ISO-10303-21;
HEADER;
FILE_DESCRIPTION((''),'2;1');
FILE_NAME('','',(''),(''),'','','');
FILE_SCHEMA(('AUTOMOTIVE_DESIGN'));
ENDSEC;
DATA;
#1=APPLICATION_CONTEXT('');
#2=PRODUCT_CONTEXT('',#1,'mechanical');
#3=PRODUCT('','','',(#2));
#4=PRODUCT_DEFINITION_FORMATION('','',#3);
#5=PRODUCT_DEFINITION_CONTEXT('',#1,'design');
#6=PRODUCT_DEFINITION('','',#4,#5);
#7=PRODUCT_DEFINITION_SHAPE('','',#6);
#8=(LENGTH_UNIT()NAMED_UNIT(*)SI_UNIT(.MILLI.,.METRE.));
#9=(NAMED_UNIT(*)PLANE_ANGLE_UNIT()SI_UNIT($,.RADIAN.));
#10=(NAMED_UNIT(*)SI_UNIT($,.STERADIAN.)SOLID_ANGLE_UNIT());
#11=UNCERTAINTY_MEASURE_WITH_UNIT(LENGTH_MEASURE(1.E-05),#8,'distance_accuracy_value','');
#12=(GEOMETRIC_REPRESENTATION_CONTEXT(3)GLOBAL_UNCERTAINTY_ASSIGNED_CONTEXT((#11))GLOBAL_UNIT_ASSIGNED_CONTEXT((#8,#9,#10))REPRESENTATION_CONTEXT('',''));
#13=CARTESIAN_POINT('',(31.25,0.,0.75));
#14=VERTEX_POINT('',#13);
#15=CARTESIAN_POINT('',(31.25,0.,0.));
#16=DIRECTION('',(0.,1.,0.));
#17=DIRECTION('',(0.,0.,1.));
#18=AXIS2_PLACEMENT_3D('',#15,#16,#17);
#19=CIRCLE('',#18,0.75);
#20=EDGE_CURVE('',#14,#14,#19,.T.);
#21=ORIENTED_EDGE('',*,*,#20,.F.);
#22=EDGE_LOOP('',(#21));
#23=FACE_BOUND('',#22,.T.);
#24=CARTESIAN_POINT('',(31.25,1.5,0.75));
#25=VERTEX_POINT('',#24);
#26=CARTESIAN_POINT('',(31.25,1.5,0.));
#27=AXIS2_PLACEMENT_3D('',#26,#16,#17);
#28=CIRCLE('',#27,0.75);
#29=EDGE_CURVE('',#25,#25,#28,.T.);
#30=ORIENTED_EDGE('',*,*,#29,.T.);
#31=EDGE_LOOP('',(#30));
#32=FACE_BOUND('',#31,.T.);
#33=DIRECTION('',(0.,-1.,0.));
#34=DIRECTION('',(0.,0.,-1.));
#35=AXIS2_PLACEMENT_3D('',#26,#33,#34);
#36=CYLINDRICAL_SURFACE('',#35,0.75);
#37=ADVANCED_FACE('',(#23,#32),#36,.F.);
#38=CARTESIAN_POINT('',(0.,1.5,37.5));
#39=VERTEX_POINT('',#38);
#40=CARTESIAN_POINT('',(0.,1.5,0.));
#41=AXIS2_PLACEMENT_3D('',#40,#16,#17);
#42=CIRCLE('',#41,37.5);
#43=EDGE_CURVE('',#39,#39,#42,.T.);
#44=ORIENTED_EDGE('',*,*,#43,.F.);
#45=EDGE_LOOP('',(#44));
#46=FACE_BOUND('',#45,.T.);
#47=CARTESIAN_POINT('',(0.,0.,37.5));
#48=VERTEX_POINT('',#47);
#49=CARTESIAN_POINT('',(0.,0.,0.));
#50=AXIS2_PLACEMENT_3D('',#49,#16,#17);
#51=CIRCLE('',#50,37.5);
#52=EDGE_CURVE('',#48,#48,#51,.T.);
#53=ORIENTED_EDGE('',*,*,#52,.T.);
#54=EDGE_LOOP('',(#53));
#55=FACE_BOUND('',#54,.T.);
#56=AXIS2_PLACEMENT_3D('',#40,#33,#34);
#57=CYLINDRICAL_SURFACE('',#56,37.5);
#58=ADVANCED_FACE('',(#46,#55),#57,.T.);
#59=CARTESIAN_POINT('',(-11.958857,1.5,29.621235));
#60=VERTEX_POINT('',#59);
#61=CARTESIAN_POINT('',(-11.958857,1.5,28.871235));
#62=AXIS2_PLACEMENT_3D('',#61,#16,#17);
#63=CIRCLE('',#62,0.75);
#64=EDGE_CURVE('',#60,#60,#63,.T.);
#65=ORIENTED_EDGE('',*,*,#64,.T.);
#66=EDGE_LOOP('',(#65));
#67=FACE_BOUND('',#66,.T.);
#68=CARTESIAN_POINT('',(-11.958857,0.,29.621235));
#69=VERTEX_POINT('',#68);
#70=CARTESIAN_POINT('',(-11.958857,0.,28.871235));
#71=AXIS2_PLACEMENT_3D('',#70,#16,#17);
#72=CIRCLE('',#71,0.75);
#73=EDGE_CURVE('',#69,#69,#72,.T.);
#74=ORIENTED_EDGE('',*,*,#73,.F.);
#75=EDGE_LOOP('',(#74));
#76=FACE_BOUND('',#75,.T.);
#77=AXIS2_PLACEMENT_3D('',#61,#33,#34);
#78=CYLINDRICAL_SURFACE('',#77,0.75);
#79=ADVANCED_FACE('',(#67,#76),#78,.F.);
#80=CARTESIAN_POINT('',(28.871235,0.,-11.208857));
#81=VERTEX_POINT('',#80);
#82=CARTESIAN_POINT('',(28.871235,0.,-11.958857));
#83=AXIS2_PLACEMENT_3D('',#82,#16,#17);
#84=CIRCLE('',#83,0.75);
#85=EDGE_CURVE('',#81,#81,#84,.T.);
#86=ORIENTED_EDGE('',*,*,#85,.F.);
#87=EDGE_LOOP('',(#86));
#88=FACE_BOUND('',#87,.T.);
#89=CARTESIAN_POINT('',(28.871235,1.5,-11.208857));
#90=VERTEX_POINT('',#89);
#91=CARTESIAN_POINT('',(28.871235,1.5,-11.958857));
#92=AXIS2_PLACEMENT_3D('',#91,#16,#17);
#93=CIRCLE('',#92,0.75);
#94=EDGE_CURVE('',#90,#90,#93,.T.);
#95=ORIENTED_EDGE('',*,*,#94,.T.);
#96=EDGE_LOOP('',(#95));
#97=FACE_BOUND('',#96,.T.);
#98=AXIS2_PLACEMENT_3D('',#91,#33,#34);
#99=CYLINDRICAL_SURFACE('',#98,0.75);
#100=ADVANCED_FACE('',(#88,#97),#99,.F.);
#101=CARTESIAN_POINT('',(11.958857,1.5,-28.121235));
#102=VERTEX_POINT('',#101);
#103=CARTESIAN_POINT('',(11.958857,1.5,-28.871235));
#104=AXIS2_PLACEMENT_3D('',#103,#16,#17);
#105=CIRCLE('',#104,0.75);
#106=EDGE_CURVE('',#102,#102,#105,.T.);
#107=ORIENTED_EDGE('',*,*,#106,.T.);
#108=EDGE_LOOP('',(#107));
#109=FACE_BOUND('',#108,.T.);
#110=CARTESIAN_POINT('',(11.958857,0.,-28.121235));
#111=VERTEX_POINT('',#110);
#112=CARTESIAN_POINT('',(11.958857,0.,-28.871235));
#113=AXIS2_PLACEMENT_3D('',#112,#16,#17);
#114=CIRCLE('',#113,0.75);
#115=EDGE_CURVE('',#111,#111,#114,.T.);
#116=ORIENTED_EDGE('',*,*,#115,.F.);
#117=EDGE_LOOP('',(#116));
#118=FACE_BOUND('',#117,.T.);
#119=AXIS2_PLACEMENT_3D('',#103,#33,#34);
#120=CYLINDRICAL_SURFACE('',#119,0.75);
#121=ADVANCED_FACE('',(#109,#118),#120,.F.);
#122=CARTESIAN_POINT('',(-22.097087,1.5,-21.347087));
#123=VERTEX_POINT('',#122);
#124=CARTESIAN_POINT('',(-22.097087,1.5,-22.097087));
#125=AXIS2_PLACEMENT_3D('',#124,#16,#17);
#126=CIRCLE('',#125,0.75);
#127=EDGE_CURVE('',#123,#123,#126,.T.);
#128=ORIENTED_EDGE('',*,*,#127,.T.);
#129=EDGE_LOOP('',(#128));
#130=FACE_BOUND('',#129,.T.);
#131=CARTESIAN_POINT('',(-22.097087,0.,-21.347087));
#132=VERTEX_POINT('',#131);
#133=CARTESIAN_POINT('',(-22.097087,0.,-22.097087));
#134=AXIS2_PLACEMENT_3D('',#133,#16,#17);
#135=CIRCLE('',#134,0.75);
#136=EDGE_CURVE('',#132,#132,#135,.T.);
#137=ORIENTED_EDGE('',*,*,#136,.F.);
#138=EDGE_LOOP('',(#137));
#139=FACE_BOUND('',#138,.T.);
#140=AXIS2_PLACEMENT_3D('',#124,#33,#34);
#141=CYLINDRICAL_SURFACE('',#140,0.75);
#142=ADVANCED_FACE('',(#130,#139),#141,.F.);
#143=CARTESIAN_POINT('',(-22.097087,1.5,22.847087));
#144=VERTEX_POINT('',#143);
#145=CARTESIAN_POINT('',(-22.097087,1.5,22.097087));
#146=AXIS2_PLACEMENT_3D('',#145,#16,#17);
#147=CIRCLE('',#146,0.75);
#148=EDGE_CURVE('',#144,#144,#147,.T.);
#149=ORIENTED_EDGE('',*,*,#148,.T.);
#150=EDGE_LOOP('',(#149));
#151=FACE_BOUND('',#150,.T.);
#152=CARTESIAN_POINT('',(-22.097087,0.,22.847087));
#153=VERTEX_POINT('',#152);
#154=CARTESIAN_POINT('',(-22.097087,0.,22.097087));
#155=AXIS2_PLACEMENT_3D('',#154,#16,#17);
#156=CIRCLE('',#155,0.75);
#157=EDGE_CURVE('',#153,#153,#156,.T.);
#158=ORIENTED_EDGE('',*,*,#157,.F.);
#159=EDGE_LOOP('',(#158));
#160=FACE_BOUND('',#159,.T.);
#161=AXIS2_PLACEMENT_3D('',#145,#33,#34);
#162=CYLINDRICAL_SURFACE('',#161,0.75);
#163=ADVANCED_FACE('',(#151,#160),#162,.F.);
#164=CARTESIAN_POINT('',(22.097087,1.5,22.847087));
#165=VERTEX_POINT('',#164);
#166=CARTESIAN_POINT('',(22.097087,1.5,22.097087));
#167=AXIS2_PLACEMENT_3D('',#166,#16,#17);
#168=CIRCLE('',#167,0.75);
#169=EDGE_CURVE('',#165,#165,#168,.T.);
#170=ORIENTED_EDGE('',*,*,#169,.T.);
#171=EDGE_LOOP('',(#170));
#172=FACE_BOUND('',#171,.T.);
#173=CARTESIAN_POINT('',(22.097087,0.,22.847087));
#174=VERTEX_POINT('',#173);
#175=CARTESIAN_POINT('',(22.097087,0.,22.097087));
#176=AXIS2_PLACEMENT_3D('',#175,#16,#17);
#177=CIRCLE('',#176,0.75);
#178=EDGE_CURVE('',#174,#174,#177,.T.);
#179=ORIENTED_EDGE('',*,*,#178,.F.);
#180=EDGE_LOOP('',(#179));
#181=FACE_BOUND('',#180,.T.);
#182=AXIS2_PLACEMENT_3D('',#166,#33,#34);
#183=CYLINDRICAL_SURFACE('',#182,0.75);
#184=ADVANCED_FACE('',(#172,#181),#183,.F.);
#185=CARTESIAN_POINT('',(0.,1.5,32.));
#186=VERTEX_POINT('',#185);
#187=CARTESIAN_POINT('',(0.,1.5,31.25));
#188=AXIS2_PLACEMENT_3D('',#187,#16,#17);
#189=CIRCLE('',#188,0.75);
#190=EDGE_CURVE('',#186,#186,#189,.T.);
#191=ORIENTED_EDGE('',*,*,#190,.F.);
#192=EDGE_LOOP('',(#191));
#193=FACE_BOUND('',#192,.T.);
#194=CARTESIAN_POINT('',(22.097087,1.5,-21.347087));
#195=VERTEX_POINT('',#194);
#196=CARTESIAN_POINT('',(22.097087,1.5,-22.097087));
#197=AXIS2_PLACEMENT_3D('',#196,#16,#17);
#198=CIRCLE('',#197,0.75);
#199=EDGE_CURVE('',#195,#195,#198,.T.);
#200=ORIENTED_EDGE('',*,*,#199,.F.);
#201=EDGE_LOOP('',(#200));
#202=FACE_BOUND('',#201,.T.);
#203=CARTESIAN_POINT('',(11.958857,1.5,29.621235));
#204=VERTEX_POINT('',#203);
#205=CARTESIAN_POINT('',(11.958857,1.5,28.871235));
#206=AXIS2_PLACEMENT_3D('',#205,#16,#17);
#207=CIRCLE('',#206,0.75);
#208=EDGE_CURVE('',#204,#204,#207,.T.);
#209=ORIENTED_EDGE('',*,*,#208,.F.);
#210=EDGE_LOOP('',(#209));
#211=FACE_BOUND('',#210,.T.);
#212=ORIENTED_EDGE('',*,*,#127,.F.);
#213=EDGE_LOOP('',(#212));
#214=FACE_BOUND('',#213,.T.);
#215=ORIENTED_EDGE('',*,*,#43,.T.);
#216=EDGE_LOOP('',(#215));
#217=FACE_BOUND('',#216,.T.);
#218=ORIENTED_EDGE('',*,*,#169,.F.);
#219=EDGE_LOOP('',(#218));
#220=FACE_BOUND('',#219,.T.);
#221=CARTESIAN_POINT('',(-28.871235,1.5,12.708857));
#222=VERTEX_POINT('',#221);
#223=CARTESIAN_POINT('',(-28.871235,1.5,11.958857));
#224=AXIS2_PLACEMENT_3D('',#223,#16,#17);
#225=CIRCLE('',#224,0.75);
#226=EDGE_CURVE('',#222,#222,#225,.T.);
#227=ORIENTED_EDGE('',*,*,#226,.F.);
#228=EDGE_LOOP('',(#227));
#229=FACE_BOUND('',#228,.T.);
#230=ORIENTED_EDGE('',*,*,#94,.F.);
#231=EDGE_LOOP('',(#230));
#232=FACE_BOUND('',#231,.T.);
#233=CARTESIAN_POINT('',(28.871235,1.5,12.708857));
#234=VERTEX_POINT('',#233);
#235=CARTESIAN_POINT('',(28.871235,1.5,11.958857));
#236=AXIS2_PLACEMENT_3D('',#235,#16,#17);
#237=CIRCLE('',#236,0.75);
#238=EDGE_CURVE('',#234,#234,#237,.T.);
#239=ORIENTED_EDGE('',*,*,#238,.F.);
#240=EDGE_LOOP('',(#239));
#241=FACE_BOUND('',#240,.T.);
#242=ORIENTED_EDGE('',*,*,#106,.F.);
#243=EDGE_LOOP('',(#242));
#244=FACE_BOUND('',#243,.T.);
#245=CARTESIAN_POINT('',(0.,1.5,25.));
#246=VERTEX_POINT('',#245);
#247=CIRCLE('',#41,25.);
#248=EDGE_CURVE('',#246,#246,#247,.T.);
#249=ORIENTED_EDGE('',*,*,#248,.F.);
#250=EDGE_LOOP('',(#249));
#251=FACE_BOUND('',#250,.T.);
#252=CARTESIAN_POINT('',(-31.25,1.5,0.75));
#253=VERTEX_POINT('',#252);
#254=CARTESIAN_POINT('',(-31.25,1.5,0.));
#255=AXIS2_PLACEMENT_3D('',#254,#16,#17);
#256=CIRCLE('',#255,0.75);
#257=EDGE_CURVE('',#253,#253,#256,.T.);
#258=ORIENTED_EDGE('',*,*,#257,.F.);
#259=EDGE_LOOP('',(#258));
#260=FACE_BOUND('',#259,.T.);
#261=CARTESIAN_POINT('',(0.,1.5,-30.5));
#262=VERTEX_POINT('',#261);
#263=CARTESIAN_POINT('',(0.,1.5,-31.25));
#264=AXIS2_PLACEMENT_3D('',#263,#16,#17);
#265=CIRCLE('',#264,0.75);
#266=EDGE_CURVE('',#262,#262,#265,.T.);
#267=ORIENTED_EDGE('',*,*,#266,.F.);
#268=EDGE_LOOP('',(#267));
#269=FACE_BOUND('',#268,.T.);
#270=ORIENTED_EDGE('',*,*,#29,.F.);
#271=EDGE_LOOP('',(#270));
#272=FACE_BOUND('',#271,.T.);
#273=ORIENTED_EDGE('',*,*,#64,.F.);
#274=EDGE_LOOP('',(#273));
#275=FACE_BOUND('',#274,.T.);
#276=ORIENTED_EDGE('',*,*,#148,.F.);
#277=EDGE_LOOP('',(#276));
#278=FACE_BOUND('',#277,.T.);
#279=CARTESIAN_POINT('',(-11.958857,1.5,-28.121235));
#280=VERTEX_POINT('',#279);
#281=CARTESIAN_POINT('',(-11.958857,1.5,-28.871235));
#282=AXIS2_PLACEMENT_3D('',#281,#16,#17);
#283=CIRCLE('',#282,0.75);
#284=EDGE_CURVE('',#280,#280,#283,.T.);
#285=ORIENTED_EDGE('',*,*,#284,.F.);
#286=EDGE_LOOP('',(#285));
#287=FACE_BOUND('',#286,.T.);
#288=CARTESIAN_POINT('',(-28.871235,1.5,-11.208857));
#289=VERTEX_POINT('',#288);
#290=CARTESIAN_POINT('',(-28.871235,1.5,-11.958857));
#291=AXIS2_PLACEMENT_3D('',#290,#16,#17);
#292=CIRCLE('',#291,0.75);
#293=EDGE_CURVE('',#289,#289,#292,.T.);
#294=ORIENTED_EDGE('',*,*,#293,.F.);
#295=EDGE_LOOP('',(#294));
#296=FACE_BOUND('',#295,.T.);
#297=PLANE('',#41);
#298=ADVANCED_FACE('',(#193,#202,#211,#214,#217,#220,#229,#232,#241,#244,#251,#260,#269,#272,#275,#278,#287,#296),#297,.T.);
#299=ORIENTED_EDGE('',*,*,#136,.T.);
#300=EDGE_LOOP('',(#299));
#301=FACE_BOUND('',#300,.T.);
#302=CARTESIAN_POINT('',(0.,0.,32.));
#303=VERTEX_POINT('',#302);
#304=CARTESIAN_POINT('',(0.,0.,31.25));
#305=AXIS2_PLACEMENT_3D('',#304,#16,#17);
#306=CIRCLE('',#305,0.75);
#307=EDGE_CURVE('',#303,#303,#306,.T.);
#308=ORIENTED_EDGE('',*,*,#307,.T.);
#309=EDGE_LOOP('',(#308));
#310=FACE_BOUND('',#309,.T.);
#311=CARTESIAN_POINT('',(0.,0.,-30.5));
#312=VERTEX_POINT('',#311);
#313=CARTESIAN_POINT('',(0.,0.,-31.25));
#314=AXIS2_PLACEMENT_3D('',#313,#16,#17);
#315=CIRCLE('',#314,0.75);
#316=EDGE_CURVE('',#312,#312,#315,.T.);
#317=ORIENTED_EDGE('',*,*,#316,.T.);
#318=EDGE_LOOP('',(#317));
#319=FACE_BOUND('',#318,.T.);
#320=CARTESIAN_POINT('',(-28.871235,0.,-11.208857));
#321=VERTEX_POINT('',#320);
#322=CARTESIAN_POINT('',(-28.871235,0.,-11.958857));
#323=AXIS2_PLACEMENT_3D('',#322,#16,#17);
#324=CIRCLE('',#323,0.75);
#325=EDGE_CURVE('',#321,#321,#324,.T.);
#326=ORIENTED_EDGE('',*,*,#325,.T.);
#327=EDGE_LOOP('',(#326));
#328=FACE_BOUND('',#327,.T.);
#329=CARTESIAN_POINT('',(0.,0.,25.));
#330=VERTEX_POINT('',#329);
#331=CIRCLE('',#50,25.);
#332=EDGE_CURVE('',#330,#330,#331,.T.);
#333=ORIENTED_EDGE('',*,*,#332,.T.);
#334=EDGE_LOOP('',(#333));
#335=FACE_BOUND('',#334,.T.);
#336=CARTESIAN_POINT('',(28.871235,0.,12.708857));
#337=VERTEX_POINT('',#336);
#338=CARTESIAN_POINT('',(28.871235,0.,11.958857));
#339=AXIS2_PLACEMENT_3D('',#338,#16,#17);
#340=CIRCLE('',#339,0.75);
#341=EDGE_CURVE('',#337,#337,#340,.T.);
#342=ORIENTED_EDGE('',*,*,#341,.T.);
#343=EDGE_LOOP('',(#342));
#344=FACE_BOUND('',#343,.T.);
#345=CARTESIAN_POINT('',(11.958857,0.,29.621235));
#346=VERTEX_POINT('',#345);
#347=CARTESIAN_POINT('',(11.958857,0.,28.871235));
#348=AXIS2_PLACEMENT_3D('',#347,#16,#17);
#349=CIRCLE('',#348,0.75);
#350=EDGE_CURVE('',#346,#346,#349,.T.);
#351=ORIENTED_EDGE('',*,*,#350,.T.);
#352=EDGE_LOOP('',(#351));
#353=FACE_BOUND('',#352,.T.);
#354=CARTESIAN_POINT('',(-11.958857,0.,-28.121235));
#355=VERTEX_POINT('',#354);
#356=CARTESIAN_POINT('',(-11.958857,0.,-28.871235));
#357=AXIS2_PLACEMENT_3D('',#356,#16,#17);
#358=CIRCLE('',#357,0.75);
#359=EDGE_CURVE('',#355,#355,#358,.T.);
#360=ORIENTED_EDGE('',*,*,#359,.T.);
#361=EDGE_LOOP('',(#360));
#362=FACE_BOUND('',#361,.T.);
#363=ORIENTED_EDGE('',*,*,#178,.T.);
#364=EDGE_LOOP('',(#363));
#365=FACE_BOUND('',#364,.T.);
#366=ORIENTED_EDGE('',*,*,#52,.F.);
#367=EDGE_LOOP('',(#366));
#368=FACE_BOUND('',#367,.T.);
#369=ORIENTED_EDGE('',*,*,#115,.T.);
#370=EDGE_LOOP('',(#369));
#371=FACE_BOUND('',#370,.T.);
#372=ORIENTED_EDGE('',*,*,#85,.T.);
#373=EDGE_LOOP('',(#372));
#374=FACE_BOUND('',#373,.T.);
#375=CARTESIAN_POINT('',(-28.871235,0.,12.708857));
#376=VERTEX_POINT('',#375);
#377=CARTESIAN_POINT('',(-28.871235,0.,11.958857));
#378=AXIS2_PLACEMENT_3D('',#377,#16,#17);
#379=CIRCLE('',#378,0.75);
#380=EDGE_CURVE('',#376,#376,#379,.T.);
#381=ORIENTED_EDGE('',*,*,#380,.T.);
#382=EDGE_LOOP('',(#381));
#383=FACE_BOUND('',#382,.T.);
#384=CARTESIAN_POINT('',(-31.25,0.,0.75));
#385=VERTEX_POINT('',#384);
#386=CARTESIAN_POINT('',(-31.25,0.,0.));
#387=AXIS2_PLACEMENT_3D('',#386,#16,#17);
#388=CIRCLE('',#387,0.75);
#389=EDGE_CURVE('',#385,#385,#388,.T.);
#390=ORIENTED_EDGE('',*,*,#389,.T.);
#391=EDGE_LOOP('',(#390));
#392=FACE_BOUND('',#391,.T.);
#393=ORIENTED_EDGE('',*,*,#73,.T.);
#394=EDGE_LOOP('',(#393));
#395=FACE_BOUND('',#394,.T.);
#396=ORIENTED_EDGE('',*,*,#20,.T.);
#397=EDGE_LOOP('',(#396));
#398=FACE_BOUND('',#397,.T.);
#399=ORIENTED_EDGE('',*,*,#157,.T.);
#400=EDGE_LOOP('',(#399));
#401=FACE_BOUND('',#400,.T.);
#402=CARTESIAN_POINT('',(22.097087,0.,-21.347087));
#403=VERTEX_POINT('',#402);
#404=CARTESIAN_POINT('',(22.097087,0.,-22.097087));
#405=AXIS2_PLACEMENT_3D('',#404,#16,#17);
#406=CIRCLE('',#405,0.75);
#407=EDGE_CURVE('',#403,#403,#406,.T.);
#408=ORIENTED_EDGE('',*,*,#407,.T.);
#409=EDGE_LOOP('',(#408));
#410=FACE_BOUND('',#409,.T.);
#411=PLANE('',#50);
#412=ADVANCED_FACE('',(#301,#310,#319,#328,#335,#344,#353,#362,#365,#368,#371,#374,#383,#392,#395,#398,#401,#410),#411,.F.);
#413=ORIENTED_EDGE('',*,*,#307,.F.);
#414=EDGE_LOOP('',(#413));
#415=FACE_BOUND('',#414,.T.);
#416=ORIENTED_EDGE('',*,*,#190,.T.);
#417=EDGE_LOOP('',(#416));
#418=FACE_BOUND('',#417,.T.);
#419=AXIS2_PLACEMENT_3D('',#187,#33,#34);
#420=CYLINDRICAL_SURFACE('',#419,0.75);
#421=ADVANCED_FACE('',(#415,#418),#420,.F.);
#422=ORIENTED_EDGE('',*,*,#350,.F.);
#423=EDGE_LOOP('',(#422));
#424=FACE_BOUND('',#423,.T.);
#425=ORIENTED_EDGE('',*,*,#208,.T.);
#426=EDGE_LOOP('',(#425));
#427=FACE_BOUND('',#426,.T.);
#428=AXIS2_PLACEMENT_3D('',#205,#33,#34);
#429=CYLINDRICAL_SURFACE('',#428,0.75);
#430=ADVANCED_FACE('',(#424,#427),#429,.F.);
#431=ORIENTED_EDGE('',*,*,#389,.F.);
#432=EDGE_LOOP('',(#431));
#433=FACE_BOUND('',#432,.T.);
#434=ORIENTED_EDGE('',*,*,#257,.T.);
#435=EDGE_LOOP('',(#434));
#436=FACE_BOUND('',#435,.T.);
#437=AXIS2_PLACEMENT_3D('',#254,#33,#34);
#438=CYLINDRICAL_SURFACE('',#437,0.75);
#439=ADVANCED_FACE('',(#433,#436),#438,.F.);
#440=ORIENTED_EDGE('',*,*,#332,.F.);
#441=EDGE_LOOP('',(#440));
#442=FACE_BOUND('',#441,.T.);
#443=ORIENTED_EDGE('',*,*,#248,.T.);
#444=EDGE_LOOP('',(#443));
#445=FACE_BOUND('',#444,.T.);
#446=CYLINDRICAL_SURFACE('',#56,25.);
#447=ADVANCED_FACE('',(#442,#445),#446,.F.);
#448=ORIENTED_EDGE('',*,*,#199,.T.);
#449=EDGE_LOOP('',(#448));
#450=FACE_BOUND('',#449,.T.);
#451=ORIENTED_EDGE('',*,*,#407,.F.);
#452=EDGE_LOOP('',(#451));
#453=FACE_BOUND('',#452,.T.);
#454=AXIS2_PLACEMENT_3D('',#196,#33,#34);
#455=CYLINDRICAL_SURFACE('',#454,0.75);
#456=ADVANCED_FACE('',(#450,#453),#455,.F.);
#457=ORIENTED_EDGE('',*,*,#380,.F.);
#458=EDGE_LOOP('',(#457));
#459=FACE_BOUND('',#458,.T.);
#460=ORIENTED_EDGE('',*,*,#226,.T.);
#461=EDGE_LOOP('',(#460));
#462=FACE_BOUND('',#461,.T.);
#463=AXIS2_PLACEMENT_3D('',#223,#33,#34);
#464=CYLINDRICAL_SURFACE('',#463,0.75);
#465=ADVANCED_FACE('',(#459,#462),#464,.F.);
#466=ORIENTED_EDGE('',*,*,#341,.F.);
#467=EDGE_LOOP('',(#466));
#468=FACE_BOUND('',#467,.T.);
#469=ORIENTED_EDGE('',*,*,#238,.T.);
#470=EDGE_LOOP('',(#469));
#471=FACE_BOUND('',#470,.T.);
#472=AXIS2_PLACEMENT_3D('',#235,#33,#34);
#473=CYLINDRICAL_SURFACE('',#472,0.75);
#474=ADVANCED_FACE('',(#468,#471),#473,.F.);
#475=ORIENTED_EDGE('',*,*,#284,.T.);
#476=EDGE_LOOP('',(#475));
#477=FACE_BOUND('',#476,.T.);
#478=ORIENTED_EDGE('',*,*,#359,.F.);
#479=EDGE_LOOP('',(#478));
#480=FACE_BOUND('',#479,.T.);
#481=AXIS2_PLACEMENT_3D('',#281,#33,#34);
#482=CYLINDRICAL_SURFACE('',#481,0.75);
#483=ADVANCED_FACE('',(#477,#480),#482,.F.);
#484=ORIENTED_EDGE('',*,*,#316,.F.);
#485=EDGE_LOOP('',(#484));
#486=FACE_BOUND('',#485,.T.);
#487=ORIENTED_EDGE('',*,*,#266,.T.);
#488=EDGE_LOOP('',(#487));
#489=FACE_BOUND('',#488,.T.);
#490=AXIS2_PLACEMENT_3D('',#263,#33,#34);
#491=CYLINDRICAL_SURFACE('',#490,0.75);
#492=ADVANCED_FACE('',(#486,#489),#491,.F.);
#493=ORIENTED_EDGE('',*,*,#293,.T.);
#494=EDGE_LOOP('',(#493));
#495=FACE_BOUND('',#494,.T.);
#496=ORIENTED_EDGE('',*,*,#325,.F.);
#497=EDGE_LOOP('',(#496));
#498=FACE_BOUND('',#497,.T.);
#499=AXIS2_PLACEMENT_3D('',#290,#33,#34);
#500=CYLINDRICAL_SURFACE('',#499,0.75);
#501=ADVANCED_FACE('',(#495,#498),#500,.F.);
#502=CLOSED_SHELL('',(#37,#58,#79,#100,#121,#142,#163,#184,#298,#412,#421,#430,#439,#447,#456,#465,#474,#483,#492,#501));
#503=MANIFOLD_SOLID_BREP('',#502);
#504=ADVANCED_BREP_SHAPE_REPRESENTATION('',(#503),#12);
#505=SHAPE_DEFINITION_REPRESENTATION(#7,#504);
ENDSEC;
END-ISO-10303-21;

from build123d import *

# Parameters (mm, degrees)
SKETCH2_R           = 37.5
SKETCH2_R_2         = 25
SKETCH2_R_3         = 0.75
BOSS_EXTRUDE2_DEPTH = 1.5


with BuildPart() as part:
    # Sketch2 → Boss-Extrude2 (new body)
    with BuildSketch(Plane(origin=(0, 0, 0), x_dir=(1, 0, 0), z_dir=(0, 1, 0))):
        with Locations(Location((0, 0, 0), (0, 0, 270))):
            Circle(SKETCH2_R)
        with Locations(Location((0, 0, 0), (0, 0, 270))):
            Circle(SKETCH2_R_2, mode=Mode.SUBTRACT)
        with Locations(Location((0, 31.25, 0), (0, 0, 270))):
            Circle(SKETCH2_R_3, mode=Mode.SUBTRACT)
        with Locations(Location((11.958857261, 28.871235391, 0), (0, 0, 270))):
            Circle(SKETCH2_R_3, mode=Mode.SUBTRACT)
        with Locations(Location((22.097086912, 22.097086912, 0), (0, 0, 270))):
            Circle(SKETCH2_R_3, mode=Mode.SUBTRACT)
        with Locations(Location((28.871235391, 11.958857261, 0), (0, 0, 270))):
            Circle(SKETCH2_R_3, mode=Mode.SUBTRACT)
        with Locations(Location((31.25, 0, 0), (0, 0, 270))):
            Circle(SKETCH2_R_3, mode=Mode.SUBTRACT)
        with Locations(Location((28.871235391, -11.958857261, 0), (0, 0, 270))):
            Circle(SKETCH2_R_3, mode=Mode.SUBTRACT)
        with Locations(Location((22.097086912, -22.097086912, 0), (0, 0, 270))):
            Circle(SKETCH2_R_3, mode=Mode.SUBTRACT)
        with Locations(Location((11.958857261, -28.871235391, 0), (0, 0, 270))):
            Circle(SKETCH2_R_3, mode=Mode.SUBTRACT)
        with Locations(Location((0, -31.25, 0), (0, 0, 270))):
            Circle(SKETCH2_R_3, mode=Mode.SUBTRACT)
        with Locations(Location((-11.958857261, -28.871235391, 0), (0, 0, 270))):
            Circle(SKETCH2_R_3, mode=Mode.SUBTRACT)
        with Locations(Location((-22.097086912, -22.097086912, 0), (0, 0, 270))):
            Circle(SKETCH2_R_3, mode=Mode.SUBTRACT)
        with Locations(Location((-28.871235391, -11.958857261, 0), (0, 0, 270))):
            Circle(SKETCH2_R_3, mode=Mode.SUBTRACT)
        with Locations(Location((-31.25, 0, 0), (0, 0, 270))):
            Circle(SKETCH2_R_3, mode=Mode.SUBTRACT)
        with Locations(Location((-28.871235391, 11.958857261, 0), (0, 0, 270))):
            Circle(SKETCH2_R_3, mode=Mode.SUBTRACT)
        with Locations(Location((-22.097086912, 22.097086912, 0), (0, 0, 270))):
            Circle(SKETCH2_R_3, mode=Mode.SUBTRACT)
        with Locations(Location((-11.958857261, 28.871235391, 0), (0, 0, 270))):
            Circle(SKETCH2_R_3, mode=Mode.SUBTRACT)
    extrude(amount=BOSS_EXTRUDE2_DEPTH)


solid = part.part
